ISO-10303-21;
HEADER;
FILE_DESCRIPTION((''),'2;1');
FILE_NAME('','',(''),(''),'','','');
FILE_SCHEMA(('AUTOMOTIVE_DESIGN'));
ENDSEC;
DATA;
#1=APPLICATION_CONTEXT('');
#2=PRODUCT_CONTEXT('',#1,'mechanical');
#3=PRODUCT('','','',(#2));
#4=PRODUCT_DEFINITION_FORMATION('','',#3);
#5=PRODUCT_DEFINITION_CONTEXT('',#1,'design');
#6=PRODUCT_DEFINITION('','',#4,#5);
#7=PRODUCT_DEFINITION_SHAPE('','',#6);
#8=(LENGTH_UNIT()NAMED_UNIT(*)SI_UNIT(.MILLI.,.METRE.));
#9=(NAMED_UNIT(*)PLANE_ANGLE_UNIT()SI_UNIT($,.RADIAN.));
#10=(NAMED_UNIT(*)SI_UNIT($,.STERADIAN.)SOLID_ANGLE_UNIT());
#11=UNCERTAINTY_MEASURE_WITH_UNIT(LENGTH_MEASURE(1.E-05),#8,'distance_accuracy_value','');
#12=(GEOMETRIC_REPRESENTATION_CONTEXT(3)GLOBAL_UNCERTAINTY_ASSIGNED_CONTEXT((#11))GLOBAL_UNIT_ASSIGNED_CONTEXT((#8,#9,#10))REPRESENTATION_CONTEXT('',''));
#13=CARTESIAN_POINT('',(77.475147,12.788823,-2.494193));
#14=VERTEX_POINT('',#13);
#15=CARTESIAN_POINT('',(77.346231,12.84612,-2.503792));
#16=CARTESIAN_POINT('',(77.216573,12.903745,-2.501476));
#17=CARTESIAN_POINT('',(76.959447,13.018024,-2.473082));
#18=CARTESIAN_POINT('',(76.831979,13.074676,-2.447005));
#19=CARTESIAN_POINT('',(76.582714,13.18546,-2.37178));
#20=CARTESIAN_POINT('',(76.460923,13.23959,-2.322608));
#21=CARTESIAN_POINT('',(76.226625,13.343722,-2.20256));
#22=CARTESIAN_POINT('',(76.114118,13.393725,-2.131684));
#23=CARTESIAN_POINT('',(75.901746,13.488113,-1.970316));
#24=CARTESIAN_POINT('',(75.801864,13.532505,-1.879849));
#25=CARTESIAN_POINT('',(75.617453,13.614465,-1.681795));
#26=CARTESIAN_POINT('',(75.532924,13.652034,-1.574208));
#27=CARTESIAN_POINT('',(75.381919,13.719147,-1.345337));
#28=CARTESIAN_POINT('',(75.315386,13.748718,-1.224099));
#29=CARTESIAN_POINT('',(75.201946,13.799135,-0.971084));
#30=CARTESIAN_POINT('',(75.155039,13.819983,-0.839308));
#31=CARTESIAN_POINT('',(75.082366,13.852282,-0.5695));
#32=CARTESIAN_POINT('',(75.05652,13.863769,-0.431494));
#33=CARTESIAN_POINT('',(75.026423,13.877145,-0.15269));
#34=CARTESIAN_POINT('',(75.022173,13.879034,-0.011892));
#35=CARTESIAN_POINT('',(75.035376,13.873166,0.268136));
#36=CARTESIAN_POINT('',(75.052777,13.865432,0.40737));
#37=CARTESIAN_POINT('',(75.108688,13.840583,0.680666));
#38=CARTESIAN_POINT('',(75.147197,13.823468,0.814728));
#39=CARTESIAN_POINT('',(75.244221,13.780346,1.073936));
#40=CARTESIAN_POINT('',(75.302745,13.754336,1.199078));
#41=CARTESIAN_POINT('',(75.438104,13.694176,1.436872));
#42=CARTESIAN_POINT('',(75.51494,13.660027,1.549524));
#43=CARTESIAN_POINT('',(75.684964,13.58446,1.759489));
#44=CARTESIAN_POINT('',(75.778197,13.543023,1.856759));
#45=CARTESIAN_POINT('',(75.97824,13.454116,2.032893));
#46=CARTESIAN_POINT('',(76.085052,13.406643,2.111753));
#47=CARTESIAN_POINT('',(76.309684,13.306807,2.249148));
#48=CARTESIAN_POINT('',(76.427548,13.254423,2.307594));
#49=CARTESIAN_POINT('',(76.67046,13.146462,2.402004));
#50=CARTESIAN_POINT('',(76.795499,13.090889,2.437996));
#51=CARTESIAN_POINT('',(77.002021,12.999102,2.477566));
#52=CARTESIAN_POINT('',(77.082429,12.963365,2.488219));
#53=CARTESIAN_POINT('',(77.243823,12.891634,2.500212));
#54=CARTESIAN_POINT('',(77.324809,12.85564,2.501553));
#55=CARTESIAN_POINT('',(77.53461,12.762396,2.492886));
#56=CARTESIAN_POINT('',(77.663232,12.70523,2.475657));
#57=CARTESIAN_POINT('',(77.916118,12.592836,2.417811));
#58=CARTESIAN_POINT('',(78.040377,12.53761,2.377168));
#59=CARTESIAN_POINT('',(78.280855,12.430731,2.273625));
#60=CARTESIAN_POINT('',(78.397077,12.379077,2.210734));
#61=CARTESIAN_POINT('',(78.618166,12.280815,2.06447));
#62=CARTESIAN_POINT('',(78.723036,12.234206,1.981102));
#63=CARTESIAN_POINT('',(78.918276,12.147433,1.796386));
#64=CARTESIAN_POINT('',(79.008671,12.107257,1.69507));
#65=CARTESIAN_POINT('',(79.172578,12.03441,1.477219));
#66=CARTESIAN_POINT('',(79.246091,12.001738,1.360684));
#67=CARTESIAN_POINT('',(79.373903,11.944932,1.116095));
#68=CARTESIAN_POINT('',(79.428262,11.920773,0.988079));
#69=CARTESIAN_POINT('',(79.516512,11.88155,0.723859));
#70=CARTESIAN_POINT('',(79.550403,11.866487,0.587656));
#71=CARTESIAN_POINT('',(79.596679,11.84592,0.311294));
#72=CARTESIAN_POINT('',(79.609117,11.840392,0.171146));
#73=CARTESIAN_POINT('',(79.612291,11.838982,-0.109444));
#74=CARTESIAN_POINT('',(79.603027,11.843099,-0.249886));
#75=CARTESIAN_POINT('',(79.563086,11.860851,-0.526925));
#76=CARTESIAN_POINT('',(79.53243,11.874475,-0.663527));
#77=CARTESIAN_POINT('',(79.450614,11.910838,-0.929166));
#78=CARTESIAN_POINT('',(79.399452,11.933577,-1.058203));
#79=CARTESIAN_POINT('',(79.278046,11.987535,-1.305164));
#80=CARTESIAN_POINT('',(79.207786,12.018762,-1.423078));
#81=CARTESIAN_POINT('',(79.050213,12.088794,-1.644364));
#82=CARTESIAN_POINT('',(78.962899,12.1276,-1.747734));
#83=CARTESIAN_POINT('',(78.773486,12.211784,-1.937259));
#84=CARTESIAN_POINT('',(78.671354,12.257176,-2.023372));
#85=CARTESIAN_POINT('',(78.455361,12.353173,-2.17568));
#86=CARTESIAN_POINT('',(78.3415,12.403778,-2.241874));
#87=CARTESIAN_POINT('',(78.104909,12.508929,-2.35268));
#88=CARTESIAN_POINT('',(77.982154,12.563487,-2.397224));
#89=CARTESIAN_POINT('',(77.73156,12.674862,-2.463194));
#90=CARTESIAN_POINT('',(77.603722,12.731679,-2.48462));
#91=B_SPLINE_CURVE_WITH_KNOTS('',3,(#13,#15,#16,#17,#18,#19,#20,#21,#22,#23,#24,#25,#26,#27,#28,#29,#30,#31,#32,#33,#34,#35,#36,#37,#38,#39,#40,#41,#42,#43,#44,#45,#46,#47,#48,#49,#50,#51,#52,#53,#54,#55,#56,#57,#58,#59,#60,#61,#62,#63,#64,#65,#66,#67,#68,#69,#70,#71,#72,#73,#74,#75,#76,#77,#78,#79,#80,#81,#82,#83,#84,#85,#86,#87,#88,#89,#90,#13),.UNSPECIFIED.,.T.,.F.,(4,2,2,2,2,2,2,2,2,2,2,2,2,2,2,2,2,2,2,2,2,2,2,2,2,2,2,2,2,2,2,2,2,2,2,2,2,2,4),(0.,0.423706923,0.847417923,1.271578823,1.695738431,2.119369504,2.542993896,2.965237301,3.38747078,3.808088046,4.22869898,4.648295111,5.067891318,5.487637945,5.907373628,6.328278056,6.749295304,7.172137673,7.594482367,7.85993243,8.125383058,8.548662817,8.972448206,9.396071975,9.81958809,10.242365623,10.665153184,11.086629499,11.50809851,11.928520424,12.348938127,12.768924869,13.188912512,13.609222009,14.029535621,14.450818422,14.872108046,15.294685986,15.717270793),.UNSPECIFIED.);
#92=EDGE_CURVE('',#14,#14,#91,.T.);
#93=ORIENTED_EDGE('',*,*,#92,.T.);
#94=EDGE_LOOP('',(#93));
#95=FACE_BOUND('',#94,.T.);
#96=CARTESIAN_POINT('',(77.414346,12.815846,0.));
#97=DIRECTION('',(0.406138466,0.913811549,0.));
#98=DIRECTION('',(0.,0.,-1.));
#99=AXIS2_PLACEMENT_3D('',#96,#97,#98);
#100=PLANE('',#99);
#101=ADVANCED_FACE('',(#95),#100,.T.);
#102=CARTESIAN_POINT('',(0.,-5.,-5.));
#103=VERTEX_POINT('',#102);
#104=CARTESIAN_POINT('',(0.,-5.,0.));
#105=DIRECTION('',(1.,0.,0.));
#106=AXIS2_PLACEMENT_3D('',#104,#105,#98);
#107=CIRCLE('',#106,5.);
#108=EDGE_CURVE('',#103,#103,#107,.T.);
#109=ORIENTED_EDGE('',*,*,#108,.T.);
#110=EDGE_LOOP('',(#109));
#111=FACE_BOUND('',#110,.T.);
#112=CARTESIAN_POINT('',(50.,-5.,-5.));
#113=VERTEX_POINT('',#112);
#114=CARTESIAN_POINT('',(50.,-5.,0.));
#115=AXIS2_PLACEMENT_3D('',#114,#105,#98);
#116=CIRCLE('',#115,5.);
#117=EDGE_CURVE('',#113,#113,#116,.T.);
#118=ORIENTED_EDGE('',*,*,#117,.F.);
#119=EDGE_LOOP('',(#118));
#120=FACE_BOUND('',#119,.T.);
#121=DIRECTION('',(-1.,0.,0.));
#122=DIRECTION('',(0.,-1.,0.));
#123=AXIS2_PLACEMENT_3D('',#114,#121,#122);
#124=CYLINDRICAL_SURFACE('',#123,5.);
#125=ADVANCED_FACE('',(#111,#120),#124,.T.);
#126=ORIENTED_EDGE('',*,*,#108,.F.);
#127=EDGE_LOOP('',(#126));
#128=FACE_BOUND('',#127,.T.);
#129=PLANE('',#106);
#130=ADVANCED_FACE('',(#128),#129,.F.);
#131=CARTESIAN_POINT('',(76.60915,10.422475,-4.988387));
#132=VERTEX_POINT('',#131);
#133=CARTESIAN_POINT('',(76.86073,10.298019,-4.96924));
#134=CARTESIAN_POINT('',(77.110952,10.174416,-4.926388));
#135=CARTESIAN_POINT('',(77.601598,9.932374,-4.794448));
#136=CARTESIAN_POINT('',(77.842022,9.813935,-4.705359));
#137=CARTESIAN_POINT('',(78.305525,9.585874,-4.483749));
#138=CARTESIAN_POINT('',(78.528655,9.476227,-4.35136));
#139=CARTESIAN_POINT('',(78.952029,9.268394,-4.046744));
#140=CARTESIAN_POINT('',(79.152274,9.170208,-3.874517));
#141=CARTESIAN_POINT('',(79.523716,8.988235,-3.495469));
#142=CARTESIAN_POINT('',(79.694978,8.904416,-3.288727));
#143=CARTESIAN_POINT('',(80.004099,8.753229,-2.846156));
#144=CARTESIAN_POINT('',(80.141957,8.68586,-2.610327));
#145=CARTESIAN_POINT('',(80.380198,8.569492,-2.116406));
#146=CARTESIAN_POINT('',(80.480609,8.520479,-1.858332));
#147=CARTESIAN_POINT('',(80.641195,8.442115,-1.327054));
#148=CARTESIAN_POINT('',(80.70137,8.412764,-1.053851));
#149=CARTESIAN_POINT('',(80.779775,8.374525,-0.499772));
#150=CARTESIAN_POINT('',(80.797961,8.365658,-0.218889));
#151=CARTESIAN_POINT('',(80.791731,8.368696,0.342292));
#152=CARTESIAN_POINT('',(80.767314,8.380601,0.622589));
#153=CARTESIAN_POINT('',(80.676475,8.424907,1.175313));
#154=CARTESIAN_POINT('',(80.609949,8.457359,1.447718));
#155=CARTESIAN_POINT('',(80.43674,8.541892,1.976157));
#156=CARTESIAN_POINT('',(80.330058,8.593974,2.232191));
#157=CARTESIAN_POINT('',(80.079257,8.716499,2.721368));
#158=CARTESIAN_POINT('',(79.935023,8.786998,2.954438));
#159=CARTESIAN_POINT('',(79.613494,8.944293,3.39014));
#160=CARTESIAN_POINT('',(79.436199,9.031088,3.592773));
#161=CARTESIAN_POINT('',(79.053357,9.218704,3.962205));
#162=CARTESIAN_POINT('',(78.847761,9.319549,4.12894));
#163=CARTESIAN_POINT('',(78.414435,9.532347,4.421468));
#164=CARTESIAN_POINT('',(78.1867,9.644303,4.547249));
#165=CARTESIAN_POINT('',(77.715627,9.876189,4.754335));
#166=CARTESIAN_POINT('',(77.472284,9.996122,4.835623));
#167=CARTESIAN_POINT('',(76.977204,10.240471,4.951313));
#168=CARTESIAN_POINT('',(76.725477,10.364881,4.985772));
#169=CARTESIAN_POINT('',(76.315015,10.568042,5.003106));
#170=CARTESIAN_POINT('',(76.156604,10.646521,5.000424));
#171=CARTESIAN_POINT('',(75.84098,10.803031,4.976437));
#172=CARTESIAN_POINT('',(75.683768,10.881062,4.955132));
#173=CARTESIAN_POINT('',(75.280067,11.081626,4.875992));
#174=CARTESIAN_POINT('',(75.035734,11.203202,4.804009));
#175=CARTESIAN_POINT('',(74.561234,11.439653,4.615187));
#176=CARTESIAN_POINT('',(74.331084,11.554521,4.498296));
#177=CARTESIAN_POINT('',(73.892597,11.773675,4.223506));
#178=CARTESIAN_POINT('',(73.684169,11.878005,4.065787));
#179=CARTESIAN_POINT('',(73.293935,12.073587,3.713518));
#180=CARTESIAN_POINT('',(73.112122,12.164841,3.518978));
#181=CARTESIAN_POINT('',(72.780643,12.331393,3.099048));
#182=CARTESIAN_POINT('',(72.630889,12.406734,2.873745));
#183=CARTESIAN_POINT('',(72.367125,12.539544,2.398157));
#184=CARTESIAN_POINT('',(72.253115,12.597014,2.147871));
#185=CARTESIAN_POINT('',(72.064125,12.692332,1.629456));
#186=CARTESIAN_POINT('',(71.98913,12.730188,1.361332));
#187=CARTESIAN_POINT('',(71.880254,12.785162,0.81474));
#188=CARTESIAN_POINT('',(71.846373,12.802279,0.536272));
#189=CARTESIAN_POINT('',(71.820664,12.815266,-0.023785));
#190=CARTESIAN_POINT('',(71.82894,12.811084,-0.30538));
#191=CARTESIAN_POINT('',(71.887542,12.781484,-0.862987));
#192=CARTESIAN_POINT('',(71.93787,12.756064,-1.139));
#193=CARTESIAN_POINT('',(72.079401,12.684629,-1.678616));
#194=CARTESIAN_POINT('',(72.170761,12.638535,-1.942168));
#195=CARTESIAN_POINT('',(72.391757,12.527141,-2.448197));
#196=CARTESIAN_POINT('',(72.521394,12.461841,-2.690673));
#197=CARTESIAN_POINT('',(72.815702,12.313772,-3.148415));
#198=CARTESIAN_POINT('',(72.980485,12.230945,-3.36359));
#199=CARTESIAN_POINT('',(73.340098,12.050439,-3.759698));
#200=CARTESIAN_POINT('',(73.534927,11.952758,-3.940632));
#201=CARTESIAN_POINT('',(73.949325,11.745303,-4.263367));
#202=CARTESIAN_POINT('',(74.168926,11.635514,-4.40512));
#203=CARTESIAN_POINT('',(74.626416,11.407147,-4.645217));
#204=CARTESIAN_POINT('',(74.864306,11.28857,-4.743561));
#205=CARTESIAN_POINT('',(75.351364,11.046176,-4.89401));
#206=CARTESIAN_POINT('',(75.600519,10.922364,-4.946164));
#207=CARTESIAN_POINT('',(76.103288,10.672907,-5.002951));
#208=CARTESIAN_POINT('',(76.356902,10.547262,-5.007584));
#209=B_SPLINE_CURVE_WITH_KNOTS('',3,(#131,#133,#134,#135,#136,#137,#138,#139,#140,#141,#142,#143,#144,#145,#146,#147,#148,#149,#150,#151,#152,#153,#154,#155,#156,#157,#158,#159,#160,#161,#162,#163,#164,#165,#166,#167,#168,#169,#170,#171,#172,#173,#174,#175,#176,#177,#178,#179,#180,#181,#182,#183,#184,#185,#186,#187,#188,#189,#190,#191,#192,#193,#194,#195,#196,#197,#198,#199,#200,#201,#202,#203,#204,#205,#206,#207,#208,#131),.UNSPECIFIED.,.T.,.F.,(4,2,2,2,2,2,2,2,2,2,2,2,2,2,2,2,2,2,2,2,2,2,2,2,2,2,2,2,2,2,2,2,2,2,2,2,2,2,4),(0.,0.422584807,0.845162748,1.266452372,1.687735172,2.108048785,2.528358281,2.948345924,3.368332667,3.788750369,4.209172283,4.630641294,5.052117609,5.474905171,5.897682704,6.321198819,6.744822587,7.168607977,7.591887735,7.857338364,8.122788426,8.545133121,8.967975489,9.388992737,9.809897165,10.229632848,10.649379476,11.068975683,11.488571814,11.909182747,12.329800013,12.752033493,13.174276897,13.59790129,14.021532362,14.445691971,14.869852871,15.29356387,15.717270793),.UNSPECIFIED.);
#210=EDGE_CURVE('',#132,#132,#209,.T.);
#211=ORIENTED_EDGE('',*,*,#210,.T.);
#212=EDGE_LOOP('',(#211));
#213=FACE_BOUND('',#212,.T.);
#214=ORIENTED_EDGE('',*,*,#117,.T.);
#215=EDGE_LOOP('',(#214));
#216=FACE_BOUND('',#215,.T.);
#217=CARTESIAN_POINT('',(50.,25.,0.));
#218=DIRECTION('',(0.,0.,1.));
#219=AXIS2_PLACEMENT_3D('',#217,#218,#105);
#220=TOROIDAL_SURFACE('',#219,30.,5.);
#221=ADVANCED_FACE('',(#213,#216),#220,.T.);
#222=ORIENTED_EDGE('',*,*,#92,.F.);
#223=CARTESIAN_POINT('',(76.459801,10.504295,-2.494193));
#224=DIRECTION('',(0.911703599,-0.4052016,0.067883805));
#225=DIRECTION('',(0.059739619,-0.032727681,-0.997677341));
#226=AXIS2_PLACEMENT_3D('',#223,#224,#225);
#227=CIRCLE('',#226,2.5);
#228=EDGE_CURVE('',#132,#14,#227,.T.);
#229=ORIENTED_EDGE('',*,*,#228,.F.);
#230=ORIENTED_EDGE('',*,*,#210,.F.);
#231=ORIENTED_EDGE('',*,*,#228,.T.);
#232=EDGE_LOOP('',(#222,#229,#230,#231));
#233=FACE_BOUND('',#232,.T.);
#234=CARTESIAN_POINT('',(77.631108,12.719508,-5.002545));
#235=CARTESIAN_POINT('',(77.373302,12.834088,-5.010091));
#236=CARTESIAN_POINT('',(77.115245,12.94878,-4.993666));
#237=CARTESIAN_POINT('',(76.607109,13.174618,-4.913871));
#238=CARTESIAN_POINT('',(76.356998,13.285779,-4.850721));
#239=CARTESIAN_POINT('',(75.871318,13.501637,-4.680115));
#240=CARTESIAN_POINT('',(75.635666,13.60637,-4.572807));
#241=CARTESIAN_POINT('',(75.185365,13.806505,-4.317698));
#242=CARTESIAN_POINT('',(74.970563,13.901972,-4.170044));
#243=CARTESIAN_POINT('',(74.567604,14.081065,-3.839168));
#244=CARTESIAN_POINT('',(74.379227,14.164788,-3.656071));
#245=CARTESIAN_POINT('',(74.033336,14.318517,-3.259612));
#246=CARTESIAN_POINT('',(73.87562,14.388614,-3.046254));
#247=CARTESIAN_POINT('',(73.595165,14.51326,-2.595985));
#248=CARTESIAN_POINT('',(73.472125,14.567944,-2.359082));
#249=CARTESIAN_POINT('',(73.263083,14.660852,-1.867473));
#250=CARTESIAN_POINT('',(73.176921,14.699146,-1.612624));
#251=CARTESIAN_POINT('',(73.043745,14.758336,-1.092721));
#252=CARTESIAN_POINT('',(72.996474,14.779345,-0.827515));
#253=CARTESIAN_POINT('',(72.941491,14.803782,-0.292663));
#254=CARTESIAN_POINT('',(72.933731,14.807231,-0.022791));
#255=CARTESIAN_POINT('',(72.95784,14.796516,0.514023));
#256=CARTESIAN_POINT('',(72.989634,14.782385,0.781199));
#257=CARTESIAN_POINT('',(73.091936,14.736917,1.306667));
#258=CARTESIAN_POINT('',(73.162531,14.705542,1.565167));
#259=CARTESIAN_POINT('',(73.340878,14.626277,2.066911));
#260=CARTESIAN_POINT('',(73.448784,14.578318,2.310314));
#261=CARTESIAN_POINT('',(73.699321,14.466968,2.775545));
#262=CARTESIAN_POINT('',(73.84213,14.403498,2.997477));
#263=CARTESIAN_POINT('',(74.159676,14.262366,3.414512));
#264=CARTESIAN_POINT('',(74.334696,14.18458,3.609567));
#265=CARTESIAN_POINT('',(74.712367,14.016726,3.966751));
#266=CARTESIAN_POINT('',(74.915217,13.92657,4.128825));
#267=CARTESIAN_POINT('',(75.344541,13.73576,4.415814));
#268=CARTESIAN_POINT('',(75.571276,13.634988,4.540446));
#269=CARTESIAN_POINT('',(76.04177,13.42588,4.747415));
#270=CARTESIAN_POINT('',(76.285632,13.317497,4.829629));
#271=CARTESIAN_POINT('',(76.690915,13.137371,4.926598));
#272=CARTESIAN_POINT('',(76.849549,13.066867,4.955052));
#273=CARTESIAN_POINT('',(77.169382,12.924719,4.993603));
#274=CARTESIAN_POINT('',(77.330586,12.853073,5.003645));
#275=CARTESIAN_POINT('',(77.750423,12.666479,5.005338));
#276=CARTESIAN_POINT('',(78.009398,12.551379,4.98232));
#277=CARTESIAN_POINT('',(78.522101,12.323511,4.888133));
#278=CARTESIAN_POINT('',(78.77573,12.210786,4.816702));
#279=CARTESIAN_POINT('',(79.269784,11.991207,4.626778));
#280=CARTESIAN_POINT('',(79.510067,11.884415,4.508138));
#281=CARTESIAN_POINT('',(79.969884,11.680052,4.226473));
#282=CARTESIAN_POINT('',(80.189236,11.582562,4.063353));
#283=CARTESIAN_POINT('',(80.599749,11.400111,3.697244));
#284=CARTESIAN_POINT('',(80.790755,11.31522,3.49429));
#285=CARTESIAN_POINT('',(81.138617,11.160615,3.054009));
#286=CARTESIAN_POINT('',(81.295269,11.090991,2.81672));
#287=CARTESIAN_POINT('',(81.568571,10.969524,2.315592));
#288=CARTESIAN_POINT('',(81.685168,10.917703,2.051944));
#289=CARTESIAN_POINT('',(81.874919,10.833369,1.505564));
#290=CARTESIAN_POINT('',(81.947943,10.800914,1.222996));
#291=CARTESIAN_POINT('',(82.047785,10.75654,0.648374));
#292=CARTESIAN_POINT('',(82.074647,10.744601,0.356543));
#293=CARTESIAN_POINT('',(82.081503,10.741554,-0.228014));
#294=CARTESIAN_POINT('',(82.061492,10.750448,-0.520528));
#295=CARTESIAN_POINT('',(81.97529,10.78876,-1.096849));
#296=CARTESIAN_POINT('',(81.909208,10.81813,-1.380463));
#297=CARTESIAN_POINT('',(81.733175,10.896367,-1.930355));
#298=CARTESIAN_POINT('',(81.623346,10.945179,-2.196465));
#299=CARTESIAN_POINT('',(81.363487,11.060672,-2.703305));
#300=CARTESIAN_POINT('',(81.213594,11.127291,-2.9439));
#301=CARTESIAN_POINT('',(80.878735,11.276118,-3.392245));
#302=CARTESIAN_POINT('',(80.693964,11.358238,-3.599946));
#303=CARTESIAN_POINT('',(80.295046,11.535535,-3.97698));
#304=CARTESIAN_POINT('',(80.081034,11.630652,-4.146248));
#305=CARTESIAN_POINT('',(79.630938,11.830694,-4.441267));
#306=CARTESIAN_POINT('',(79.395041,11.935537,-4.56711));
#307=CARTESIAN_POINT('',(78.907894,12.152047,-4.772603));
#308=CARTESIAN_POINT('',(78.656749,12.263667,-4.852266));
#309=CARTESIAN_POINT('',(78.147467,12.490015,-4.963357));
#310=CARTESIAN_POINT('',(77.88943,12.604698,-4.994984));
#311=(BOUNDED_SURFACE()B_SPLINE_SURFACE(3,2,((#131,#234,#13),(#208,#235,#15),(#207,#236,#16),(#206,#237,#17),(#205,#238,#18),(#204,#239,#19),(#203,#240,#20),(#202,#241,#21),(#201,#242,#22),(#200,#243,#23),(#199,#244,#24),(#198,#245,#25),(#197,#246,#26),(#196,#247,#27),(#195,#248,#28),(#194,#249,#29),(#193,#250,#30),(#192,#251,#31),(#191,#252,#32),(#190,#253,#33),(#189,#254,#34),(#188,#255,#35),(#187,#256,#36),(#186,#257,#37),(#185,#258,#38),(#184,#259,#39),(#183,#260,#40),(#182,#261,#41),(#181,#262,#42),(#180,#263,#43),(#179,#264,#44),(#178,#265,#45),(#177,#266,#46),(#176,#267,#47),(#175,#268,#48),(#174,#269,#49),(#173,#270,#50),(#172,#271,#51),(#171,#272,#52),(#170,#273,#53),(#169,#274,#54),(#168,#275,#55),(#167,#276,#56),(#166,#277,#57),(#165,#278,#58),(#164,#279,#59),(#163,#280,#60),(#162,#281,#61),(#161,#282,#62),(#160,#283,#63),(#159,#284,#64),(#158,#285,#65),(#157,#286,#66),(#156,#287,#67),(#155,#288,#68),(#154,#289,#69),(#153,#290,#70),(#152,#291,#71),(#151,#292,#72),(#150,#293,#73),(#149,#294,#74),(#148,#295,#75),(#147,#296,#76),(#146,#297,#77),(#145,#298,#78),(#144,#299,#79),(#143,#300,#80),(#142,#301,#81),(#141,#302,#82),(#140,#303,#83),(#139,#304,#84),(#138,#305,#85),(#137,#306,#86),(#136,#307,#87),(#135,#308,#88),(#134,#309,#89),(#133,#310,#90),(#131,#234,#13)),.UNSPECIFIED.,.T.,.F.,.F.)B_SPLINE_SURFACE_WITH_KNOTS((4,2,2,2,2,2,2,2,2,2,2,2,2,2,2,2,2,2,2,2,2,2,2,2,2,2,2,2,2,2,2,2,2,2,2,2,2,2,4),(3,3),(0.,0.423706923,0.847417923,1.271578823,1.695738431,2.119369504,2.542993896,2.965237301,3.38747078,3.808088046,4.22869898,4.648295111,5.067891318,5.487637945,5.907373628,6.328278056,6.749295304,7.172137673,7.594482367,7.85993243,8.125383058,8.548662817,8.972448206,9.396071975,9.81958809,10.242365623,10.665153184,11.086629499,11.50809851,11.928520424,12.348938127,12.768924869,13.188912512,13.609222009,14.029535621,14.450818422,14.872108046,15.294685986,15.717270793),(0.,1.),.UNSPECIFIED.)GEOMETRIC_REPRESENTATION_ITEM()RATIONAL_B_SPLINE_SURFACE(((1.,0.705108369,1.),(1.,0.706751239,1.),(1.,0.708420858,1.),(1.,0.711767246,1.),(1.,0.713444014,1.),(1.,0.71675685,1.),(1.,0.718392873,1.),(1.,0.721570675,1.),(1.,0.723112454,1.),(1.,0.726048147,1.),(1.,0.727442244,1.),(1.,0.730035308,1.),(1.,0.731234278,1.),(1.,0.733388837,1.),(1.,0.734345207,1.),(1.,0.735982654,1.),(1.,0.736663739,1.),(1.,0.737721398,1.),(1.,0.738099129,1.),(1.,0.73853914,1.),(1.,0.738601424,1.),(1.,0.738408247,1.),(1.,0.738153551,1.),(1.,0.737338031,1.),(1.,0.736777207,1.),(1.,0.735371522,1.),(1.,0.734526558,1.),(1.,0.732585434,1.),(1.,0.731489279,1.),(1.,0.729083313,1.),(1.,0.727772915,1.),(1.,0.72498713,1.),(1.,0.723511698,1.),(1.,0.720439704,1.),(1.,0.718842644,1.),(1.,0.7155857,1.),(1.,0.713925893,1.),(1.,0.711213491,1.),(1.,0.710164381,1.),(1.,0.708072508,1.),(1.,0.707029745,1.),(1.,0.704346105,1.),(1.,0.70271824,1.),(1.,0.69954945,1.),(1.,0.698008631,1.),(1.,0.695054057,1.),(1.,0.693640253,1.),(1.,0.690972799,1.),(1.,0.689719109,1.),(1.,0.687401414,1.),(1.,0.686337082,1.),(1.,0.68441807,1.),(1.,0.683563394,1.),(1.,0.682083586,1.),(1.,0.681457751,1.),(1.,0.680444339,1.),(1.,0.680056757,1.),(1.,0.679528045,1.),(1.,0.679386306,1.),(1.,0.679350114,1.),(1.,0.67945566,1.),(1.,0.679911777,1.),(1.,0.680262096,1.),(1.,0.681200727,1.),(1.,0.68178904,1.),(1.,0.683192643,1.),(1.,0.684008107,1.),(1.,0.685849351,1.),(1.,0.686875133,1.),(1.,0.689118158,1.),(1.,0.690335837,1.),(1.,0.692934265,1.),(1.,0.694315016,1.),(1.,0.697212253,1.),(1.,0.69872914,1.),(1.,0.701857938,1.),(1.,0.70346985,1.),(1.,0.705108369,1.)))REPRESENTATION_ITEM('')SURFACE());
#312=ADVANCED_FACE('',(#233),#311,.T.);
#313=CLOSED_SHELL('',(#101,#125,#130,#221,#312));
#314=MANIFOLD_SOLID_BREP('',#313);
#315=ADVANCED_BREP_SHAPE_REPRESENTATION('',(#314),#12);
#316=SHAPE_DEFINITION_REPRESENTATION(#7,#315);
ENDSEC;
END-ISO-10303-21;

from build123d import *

# Parameters (mm, degrees)
SKETCH2_R = 5
FILLET1_R = 2.5


with BuildPart() as part:
    # Sweep1: sweep along a path in Sketch1
    with BuildLine(Plane.XY) as sweep1_path:
        Line((0, -5), (50, -5))
        ThreePointArc((50, -5), (66.347406225, -0.154767137), (77.414346459, 12.815846018))
    # Sketch2 → Sweep1 (sweep)
    with BuildSketch(Plane(origin=(0, 0, 0), x_dir=(0, 0, -1), z_dir=(1, 0, 0))):
        with Locations((0, -5)):
            Circle(SKETCH2_R)
    sweep(path=sweep1_path.line)

    # Fillet1
    fillet1_edges = [part.edges().sort_by_distance(p)[0] for p in [
        (77.414346459, 12.815846018, 5),
    ]]
    fillet(fillet1_edges, radius=FILLET1_R)


solid = part.part
